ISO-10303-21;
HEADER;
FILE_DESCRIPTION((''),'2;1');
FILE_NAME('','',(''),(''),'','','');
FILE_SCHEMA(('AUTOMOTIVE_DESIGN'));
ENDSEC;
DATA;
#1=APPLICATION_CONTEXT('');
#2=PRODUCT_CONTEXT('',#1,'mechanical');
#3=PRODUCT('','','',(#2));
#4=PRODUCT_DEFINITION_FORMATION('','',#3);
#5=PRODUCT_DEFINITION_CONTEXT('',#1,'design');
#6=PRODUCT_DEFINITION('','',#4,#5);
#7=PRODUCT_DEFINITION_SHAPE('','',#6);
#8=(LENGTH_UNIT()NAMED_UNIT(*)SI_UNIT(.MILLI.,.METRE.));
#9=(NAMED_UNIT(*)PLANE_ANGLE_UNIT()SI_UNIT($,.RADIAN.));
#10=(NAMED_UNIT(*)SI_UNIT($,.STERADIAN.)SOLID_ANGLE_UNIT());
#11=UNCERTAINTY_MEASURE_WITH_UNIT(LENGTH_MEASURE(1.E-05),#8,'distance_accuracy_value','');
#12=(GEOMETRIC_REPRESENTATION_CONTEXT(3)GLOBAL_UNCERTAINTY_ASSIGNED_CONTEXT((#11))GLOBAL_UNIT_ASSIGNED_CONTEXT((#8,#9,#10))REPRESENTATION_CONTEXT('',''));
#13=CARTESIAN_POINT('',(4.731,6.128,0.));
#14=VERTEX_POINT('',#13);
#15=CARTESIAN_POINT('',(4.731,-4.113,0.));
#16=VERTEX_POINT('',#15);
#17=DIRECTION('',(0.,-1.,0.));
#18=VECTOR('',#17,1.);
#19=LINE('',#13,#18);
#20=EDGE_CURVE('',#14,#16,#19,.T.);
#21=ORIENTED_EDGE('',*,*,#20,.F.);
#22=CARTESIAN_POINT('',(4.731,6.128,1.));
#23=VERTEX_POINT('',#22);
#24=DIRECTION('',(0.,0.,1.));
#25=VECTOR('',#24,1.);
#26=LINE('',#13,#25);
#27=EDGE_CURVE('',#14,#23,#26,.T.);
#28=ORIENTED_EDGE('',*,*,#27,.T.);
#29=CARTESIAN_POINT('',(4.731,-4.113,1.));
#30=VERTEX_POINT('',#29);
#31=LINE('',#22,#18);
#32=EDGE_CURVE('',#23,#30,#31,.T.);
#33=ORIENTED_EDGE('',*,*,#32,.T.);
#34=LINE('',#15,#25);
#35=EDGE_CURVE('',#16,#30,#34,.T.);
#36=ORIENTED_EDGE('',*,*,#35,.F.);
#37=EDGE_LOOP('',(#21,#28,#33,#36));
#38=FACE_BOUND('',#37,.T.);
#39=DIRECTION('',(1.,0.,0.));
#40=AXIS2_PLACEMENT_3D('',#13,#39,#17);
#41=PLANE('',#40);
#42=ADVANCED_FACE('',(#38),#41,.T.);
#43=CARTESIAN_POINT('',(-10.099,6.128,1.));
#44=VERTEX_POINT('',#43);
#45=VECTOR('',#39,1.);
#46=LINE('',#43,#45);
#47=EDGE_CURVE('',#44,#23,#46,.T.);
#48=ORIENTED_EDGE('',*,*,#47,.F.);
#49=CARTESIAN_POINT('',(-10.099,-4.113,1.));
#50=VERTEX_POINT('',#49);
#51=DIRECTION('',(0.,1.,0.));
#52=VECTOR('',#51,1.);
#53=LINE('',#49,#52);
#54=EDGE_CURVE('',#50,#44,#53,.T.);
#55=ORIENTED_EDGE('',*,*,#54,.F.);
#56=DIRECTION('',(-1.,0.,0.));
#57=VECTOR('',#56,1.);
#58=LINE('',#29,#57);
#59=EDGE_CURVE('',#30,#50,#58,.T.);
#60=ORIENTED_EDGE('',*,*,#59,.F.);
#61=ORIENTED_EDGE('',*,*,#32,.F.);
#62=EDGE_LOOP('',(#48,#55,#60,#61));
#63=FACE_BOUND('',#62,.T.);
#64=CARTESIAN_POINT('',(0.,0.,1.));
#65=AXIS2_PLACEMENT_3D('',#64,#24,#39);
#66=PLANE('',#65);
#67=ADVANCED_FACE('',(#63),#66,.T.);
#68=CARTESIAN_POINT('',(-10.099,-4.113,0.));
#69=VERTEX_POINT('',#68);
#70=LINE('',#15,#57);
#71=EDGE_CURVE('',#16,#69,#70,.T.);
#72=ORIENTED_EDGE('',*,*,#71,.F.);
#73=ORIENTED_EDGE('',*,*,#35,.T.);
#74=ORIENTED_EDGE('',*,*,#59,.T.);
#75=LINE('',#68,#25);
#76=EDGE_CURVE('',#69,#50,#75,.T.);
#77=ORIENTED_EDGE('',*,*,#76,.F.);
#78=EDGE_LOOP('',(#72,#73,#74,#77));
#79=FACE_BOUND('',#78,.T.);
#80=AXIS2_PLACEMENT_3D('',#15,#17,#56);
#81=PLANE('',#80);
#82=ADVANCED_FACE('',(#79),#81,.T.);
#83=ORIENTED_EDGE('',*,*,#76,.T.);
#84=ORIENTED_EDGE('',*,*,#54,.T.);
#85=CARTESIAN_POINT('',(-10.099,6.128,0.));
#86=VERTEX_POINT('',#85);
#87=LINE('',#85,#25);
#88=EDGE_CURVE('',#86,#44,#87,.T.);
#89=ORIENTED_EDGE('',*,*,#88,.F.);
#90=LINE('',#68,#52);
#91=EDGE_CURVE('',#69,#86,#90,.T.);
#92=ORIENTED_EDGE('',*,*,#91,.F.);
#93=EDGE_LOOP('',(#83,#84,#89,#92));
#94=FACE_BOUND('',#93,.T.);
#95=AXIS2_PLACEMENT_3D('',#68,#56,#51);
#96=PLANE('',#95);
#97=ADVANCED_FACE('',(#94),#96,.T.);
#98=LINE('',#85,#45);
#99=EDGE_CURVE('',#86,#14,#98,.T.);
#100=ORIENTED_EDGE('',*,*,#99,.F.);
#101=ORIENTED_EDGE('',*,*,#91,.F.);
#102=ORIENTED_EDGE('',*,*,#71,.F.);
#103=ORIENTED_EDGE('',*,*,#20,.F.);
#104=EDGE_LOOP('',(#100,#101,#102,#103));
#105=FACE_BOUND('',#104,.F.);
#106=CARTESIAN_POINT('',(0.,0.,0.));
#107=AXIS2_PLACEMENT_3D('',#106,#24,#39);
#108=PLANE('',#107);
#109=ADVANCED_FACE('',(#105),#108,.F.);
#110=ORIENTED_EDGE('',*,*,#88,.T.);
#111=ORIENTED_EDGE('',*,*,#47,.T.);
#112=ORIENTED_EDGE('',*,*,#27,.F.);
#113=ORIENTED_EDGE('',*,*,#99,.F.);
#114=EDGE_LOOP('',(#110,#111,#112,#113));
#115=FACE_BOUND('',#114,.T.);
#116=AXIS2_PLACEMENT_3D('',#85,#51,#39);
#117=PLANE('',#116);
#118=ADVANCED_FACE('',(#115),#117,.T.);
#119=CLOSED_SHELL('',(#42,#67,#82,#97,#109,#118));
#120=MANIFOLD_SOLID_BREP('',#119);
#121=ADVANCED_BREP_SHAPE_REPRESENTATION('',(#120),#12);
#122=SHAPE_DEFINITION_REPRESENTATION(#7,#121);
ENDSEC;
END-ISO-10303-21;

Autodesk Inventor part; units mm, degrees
ref_plane "YZ Plane" through (0, 0, 0) normal (1, 0, 0) x (0, 1, 0)
ref_plane "XZ Plane" through (0, 0, 0) normal (0, 1, 0) x (-1, 0, 0)
ref_plane "XY Plane" through (0, 0, 0) normal (0, 0, 1) x (1, 0, 0)
sketch "SAMTEC-FTSH-105-01-X-DV, SAMTEC-FTSH-105-01-X-DVJ_8" plane through (0, 0, 0) normal (0, 0, 1) x (1, 0, 0)
  line L0 (-10.099, 6.128) -> (4.731, 6.128)
  line L1 (4.731, 6.128) -> (4.731, -4.113)
  line L2 (4.731, -4.113) -> (-10.099, -4.113)
  line L3 (-10.099, -4.113) -> (-10.099, 6.128)
extrude "Extrusion1" add sketch "SAMTEC-FTSH-105-01-X-DV, SAMTEC-FTSH-105-01-X-DVJ_8" along normal blind 1
properties part number "SAMTEC-FTSH-105-01-X-DVJ"
